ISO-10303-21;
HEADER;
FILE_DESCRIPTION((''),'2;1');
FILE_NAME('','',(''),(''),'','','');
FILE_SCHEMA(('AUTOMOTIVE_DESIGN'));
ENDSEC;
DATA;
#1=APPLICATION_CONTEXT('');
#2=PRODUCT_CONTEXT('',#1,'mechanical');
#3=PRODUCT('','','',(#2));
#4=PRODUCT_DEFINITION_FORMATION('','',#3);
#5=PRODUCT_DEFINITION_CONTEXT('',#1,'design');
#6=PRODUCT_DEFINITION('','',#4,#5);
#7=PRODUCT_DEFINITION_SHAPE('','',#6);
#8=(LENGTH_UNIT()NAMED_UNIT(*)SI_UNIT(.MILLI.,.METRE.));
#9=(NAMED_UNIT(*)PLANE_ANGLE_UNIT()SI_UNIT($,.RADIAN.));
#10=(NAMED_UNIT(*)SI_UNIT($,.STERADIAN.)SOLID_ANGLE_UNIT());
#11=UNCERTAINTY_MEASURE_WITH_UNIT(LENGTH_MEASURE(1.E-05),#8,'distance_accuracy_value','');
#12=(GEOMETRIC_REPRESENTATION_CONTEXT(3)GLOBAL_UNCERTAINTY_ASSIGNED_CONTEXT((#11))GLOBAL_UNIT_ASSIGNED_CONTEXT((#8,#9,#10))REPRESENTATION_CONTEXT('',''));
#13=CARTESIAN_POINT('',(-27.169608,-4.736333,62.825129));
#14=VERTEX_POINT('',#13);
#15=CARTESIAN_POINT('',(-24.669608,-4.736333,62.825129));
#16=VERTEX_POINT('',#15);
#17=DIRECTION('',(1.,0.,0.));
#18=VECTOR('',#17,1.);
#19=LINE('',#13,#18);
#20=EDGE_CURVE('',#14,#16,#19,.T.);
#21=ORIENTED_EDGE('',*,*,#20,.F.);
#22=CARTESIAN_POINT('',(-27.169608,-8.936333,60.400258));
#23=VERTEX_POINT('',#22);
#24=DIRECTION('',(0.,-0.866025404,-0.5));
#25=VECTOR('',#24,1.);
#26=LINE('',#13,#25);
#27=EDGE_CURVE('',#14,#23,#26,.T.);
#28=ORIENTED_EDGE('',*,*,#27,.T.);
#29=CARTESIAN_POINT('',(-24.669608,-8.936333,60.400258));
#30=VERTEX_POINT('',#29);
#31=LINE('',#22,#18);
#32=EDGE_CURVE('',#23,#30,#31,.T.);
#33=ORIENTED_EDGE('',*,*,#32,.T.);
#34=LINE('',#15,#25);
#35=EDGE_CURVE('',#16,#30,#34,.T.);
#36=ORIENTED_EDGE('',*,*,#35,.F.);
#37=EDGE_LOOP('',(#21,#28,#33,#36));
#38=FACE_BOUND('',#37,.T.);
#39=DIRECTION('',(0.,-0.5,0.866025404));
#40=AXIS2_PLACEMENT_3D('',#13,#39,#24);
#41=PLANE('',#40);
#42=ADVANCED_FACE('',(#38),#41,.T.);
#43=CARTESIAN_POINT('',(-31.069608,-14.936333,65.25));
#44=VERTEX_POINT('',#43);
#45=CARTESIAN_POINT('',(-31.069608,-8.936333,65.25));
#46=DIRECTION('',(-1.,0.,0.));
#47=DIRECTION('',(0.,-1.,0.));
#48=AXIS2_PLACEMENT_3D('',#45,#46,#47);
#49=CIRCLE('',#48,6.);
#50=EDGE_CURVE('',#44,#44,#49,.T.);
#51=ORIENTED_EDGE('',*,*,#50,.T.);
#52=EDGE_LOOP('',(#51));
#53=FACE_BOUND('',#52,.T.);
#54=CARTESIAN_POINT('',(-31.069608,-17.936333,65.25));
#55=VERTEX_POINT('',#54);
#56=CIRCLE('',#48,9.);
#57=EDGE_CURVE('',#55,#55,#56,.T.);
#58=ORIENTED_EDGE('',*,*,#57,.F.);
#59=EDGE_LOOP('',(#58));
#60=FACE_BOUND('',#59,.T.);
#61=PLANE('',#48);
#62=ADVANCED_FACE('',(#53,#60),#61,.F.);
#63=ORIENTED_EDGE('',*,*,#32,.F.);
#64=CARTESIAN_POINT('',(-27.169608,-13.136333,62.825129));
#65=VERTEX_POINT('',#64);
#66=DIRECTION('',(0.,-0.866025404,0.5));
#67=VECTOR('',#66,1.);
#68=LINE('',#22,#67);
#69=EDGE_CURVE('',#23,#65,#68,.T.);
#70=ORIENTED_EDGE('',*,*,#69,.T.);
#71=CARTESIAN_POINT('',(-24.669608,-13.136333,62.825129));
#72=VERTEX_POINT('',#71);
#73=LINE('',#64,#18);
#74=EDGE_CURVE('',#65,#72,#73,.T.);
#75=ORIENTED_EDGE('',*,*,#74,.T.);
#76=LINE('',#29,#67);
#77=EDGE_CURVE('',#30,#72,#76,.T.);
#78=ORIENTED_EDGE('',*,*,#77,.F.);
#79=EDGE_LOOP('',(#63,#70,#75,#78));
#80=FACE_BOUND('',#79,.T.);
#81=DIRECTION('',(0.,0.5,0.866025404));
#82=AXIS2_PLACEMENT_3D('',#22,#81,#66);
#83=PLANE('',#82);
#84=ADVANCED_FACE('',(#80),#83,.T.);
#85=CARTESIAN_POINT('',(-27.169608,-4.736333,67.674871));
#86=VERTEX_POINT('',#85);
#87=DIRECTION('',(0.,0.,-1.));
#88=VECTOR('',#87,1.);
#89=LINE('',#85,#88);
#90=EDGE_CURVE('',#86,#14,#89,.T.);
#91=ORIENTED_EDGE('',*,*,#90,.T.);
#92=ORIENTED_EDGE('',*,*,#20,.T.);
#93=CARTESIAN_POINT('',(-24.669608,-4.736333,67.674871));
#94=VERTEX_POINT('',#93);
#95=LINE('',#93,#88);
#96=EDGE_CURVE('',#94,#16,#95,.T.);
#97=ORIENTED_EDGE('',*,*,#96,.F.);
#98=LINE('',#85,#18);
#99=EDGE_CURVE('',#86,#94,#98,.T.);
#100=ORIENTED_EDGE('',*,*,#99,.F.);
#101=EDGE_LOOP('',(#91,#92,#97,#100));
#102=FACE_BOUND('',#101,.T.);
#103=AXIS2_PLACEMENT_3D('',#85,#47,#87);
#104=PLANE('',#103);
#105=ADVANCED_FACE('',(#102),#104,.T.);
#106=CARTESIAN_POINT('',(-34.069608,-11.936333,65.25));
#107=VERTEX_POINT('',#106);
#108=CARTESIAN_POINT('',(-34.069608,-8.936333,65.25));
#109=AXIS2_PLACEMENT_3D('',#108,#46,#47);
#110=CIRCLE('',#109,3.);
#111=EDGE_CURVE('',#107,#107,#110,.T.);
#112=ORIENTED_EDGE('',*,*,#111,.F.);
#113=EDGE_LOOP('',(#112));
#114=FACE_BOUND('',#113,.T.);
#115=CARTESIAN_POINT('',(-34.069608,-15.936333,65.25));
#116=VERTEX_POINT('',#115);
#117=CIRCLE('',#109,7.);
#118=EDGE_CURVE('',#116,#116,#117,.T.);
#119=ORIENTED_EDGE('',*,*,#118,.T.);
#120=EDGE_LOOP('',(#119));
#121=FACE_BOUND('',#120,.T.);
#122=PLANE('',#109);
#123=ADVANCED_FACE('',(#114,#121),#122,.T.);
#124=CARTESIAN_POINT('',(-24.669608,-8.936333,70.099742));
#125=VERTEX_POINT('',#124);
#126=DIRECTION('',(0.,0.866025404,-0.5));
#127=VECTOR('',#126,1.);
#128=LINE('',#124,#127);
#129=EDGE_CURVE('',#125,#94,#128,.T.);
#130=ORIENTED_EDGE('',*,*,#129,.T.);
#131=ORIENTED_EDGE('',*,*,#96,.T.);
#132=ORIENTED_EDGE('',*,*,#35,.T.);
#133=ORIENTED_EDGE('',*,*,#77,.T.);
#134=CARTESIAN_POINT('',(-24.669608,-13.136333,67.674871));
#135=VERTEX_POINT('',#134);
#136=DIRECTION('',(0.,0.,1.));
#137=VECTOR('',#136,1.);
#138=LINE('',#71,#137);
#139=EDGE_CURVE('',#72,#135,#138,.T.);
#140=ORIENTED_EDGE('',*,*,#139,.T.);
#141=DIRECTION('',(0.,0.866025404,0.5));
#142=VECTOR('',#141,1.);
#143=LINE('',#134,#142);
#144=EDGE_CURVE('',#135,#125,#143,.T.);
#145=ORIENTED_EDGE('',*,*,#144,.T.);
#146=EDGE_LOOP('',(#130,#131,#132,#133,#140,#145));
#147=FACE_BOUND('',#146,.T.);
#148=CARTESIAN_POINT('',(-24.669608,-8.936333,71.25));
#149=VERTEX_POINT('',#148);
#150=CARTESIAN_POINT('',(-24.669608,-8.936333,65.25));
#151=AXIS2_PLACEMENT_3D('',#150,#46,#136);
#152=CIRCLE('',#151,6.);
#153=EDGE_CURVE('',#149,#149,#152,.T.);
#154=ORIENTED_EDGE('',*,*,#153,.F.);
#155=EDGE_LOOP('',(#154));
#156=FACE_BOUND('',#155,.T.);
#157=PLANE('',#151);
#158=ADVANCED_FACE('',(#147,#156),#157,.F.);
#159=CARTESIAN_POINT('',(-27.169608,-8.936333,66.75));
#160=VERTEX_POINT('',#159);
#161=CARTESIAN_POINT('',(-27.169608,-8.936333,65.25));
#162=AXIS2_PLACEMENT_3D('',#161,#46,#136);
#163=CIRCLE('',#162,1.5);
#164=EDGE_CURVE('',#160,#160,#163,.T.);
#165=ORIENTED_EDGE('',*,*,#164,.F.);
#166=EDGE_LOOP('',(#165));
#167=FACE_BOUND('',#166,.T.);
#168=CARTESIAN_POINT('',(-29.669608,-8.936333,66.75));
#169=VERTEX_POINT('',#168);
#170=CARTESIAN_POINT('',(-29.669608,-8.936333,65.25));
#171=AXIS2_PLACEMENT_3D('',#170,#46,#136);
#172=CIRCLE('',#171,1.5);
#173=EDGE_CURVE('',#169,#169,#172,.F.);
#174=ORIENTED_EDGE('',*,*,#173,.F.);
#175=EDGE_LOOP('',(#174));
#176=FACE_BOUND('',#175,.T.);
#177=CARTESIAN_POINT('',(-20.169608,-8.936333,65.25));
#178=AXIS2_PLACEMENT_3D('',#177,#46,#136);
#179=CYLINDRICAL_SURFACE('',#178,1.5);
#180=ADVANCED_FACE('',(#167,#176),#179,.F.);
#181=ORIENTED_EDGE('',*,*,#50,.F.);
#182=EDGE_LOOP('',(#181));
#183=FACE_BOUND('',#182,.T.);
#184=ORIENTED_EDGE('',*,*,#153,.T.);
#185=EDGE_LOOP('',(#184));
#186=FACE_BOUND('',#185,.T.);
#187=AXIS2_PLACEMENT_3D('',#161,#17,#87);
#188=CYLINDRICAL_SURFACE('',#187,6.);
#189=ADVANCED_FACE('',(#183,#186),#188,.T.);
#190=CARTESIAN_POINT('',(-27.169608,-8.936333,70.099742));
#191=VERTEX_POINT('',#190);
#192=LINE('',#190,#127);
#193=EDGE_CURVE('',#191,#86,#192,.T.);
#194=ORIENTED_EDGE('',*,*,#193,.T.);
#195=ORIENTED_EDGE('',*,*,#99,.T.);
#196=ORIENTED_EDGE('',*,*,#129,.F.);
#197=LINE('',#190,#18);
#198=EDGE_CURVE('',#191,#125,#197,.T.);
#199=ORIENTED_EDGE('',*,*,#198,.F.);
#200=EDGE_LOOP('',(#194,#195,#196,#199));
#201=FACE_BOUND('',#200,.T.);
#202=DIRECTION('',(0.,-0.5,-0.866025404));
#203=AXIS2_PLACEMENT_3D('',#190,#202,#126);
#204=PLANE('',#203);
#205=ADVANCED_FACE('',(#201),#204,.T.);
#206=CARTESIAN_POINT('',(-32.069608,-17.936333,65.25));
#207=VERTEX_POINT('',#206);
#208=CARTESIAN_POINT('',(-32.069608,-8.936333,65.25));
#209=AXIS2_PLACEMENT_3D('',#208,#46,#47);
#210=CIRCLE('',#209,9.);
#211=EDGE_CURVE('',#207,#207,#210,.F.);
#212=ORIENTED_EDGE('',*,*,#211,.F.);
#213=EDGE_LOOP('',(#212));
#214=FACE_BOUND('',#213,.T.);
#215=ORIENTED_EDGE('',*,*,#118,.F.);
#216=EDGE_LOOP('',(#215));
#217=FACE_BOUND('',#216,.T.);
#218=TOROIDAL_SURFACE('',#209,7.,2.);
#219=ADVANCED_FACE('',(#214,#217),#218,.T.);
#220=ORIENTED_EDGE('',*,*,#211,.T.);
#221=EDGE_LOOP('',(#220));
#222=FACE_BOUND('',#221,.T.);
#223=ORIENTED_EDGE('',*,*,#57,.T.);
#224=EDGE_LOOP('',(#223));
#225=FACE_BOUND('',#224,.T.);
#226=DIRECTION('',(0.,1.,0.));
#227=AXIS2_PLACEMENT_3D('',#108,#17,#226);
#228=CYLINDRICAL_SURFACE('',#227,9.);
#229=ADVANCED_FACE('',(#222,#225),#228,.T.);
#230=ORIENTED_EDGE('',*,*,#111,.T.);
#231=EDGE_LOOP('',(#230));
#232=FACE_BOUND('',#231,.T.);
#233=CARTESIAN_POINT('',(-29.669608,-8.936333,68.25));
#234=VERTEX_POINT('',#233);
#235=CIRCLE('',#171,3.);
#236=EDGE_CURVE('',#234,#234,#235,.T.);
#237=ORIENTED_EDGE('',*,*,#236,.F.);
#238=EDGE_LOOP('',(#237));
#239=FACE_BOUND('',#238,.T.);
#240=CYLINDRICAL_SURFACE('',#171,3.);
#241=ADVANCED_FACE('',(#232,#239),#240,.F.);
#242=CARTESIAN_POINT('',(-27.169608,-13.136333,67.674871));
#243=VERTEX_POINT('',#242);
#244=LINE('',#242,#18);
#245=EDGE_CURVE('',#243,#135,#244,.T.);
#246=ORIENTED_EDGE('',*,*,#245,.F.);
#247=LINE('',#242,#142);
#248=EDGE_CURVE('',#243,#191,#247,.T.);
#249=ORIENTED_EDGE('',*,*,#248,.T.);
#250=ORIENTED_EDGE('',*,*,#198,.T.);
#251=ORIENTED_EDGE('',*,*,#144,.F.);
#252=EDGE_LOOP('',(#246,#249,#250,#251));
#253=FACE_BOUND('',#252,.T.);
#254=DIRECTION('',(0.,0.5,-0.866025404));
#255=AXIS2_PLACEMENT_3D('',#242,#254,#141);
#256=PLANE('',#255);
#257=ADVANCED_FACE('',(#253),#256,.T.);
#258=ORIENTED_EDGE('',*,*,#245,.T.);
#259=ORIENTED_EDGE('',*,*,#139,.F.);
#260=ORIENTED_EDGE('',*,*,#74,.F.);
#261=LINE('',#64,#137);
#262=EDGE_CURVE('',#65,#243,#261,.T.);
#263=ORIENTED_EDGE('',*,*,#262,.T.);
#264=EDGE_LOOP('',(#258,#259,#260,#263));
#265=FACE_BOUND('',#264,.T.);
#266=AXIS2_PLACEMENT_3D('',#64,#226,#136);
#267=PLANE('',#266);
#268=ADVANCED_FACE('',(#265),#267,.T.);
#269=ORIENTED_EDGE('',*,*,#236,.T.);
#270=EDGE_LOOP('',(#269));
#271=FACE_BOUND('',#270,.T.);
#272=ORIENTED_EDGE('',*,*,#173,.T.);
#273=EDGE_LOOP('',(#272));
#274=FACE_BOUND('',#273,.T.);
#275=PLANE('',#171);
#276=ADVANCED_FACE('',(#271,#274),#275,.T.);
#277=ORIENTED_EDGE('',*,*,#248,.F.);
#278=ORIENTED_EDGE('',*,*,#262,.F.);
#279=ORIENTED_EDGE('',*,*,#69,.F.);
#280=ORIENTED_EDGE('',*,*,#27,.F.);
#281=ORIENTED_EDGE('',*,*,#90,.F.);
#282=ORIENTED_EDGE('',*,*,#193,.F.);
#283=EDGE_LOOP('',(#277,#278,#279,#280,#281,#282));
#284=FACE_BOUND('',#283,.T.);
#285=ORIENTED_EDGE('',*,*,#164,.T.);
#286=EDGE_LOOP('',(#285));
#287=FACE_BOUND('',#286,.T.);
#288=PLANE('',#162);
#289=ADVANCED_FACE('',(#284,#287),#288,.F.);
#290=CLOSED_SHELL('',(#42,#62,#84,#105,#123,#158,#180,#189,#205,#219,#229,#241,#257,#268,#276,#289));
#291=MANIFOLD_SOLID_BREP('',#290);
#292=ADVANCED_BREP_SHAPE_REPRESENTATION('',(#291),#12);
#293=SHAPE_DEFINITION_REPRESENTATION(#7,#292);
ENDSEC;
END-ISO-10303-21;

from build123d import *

# Parameters (mm, degrees)
CROQUIS1_R              = 6
SALIENTE_EXTRUIR1_DEPTH = 2.5
CROQUIS2_R              = 6
SALIENTE_EXTRUIR2_DEPTH = 5.5
CROQUIS3_R              = 1.5
CORTAR_EXTRUIR1_DEPTH   = 12.5
CROQUIS4_R              = 3
CORTAR_EXTRUIR2_DEPTH   = 3
CROQUIS5_R              = 9
CROQUIS5_R_2            = 3
SALIENTE_EXTRUIR3_DEPTH = 3
REDONDEO1_R             = 2


with BuildPart() as part:
    # Croquis1 → Saliente-Extruir1 (new body)
    with BuildSketch(Plane.ZY.offset(24.669607513)):
        with Locations((65.25, -8.936333162)):
            Circle(CROQUIS1_R)
        Polygon((67.674871131, -4.736333162), (62.825128869, -4.736333162), (60.400257739, -8.936333162), (62.825128869, -13.136333162), (67.674871131, -13.136333162), (70.099742261, -8.936333162), align=None, mode=Mode.SUBTRACT)
    extrude(amount=SALIENTE_EXTRUIR1_DEPTH)

    # Croquis2 → Saliente-Extruir2 (add)
    with BuildSketch(Plane.ZY.offset(27.169607513)):
        with Locations((65.25, -8.936333162)):
            Circle(CROQUIS2_R)
    extrude(amount=SALIENTE_EXTRUIR2_DEPTH)

    # Croquis3 → Cortar-Extruir1 (cut)
    with BuildSketch(Plane.ZY.offset(32.669607513)):
        with Locations((65.25, -8.936333162)):
            Circle(CROQUIS3_R)
    extrude(amount=-CORTAR_EXTRUIR1_DEPTH, mode=Mode.SUBTRACT)

    # Croquis4 → Cortar-Extruir2 (cut)
    with BuildSketch(Plane.ZY.offset(32.669607513)):
        with Locations((65.25, -8.936333162)):
            Circle(CROQUIS4_R)
    extrude(amount=-CORTAR_EXTRUIR2_DEPTH, mode=Mode.SUBTRACT)

    # Croquis5 → Saliente-Extruir3 (add)
    with BuildSketch(Plane.ZY.offset(31.069607513)):
        with Locations((65.25, -8.936333162)):
            Circle(CROQUIS5_R)
        with Locations((65.25, -8.936333162)):
            Circle(CROQUIS5_R_2, mode=Mode.SUBTRACT)
    extrude(amount=SALIENTE_EXTRUIR3_DEPTH)

    # Redondeo1
    redondeo1_edges = [part.edges().sort_by_distance(p)[0] for p in [
        (-34.069607513, -8.936333162, 56.25),
    ]]
    fillet(redondeo1_edges, radius=REDONDEO1_R)


solid = part.part
